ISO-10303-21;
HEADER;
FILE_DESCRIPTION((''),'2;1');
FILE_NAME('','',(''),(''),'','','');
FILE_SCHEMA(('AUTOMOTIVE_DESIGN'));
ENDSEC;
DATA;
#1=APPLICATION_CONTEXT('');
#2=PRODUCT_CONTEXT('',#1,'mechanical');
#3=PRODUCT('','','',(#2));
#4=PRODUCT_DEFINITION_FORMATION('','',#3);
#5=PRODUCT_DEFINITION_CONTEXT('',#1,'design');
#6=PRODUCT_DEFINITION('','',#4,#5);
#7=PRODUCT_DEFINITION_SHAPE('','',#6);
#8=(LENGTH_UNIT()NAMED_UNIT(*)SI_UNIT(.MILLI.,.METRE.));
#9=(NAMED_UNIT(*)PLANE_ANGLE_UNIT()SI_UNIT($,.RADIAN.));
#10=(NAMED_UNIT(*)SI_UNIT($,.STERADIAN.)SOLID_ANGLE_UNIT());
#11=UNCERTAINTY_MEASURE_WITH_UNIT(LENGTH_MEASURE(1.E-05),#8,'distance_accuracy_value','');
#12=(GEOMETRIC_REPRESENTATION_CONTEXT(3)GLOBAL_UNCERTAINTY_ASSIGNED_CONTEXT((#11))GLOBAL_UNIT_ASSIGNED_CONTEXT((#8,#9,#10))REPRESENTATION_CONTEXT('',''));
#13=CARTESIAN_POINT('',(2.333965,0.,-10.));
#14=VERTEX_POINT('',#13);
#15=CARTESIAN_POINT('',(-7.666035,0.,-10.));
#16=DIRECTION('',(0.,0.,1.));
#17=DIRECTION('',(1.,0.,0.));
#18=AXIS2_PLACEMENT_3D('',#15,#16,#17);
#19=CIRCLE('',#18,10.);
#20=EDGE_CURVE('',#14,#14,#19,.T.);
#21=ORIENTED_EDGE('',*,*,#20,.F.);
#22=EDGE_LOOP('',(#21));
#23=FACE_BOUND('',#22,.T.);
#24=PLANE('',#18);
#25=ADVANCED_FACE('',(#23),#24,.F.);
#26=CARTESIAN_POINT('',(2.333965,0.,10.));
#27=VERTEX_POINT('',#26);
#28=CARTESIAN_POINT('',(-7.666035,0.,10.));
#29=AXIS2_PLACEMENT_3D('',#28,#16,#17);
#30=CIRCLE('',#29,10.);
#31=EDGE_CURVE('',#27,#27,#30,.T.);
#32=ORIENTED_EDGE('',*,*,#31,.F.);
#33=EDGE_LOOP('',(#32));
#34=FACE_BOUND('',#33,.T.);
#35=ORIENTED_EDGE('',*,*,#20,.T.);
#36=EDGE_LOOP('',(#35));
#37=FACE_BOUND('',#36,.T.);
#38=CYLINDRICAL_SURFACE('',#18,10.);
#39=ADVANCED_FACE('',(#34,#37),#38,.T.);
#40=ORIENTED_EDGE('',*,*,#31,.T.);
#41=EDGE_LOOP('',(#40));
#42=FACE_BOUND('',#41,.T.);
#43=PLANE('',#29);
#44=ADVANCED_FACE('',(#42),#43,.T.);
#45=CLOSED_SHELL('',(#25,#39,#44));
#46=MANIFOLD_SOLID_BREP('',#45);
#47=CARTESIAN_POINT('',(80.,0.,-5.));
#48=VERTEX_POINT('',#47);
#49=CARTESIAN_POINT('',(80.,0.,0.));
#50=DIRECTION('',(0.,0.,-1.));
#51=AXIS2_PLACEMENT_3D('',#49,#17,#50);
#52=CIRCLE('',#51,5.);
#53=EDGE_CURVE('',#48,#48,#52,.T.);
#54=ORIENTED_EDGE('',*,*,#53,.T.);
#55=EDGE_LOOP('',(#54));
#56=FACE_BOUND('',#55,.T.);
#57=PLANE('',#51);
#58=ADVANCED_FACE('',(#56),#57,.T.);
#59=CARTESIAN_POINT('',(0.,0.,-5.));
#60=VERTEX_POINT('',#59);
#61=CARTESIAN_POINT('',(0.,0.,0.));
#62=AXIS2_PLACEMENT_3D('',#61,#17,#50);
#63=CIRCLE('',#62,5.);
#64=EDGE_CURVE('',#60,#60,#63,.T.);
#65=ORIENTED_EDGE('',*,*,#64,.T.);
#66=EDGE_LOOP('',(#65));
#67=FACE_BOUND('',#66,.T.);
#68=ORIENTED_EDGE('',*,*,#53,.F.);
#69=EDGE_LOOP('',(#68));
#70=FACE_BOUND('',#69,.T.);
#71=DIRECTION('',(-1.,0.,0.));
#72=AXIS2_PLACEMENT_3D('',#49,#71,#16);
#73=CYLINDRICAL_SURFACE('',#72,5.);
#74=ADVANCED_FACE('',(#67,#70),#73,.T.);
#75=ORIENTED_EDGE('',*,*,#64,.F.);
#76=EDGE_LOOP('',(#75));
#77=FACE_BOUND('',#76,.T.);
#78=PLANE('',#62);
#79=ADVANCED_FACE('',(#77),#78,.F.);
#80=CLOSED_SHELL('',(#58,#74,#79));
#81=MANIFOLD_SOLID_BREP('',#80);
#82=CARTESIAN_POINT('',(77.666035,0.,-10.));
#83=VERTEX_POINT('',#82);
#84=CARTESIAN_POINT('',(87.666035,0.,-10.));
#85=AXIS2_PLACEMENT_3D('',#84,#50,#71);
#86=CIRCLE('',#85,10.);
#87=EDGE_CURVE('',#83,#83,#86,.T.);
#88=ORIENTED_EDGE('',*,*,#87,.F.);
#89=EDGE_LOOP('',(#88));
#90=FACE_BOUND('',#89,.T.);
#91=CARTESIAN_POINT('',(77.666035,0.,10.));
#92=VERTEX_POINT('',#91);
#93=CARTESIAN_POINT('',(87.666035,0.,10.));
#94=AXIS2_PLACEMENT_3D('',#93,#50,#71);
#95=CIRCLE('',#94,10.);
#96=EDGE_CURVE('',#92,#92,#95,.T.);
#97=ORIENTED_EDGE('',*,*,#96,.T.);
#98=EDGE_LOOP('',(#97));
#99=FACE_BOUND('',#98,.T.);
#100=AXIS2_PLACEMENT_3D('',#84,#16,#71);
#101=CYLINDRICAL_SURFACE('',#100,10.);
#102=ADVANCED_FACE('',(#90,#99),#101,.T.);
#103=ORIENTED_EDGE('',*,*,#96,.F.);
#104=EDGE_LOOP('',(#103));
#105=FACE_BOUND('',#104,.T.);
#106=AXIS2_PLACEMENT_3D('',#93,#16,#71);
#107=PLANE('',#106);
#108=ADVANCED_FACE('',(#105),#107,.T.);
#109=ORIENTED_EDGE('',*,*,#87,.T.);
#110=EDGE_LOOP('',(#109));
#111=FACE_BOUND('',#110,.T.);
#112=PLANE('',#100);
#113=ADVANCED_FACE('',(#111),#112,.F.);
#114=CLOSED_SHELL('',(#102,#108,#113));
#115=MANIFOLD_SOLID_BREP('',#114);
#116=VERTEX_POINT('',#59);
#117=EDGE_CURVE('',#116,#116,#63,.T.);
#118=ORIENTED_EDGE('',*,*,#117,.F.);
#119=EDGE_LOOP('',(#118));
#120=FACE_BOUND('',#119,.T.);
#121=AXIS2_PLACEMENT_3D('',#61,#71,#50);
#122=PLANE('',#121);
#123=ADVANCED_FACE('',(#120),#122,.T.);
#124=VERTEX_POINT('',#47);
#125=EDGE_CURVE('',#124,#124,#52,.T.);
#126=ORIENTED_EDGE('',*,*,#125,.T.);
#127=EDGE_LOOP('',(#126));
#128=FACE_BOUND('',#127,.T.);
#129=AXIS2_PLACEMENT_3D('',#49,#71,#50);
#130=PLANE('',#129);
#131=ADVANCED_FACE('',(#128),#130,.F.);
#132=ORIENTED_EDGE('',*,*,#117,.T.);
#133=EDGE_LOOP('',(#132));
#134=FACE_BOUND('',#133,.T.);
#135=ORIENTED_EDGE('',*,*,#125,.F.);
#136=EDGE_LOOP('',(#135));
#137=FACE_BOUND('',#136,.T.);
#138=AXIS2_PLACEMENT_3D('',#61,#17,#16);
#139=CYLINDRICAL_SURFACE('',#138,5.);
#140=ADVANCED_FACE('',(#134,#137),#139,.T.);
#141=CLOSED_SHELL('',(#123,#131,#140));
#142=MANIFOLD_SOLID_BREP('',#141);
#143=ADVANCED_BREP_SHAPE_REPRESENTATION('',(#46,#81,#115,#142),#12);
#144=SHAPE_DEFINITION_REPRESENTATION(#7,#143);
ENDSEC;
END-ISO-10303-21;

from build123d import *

# Parameters (mm, degrees)
SKETCH1_R                = 5
BOSS_EXTRUDE1_DEPTH      = 80
BOSS_EXTRUDE2_DEPTH      = 10
BOSS_EXTRUDE2_DEPTH_BACK = 10
SKETCH2_R                = 10


with BuildPart() as part:
    # Sketch1 → Boss-Extrude1 (new body)
    with BuildSketch(Plane(origin=(0, 0, 0), x_dir=(0, 0, -1), z_dir=(1, 0, 0))):
        Circle(SKETCH1_R)
    extrude(amount=BOSS_EXTRUDE1_DEPTH)


with BuildPart() as body_2:
    # Sketch2 → Boss-Extrude2 (new, two sides: drawn at the far end of the back side and taken through both)
    with BuildSketch(Plane.XY.offset(-BOSS_EXTRUDE2_DEPTH_BACK)):
        with Locations((-7.666034923, 0)):
            Circle(SKETCH2_R)
    extrude(amount=BOSS_EXTRUDE2_DEPTH + BOSS_EXTRUDE2_DEPTH_BACK)


with BuildPart() as body_3:
    # Mirror1: mirrored copy
    add(part.part.mirror(Plane.ZX.offset(-224)))


with BuildPart() as body_4:
    # Mirror1 2: mirrored copy
    add(body_2.part.mirror(Plane.ZX.offset(-224)))


with BuildPart() as body_5:
    # Mirror2: mirrored copy
    add(part.part.mirror(Plane.ZY.offset(-40)))


with BuildPart() as body_6:
    # Mirror2 2: mirrored copy
    add(body_3.part.mirror(Plane.ZY.offset(-40)))


with BuildPart() as body_7:
    # Mirror2 3: mirrored copy
    add(body_4.part.mirror(Plane.ZY.offset(-40)))


with BuildPart() as body_8:
    # Mirror2 4: mirrored copy
    add(body_2.part.mirror(Plane.ZY.offset(-40)))


solid = Compound([part.part, body_2.part, body_5.part, body_8.part])
